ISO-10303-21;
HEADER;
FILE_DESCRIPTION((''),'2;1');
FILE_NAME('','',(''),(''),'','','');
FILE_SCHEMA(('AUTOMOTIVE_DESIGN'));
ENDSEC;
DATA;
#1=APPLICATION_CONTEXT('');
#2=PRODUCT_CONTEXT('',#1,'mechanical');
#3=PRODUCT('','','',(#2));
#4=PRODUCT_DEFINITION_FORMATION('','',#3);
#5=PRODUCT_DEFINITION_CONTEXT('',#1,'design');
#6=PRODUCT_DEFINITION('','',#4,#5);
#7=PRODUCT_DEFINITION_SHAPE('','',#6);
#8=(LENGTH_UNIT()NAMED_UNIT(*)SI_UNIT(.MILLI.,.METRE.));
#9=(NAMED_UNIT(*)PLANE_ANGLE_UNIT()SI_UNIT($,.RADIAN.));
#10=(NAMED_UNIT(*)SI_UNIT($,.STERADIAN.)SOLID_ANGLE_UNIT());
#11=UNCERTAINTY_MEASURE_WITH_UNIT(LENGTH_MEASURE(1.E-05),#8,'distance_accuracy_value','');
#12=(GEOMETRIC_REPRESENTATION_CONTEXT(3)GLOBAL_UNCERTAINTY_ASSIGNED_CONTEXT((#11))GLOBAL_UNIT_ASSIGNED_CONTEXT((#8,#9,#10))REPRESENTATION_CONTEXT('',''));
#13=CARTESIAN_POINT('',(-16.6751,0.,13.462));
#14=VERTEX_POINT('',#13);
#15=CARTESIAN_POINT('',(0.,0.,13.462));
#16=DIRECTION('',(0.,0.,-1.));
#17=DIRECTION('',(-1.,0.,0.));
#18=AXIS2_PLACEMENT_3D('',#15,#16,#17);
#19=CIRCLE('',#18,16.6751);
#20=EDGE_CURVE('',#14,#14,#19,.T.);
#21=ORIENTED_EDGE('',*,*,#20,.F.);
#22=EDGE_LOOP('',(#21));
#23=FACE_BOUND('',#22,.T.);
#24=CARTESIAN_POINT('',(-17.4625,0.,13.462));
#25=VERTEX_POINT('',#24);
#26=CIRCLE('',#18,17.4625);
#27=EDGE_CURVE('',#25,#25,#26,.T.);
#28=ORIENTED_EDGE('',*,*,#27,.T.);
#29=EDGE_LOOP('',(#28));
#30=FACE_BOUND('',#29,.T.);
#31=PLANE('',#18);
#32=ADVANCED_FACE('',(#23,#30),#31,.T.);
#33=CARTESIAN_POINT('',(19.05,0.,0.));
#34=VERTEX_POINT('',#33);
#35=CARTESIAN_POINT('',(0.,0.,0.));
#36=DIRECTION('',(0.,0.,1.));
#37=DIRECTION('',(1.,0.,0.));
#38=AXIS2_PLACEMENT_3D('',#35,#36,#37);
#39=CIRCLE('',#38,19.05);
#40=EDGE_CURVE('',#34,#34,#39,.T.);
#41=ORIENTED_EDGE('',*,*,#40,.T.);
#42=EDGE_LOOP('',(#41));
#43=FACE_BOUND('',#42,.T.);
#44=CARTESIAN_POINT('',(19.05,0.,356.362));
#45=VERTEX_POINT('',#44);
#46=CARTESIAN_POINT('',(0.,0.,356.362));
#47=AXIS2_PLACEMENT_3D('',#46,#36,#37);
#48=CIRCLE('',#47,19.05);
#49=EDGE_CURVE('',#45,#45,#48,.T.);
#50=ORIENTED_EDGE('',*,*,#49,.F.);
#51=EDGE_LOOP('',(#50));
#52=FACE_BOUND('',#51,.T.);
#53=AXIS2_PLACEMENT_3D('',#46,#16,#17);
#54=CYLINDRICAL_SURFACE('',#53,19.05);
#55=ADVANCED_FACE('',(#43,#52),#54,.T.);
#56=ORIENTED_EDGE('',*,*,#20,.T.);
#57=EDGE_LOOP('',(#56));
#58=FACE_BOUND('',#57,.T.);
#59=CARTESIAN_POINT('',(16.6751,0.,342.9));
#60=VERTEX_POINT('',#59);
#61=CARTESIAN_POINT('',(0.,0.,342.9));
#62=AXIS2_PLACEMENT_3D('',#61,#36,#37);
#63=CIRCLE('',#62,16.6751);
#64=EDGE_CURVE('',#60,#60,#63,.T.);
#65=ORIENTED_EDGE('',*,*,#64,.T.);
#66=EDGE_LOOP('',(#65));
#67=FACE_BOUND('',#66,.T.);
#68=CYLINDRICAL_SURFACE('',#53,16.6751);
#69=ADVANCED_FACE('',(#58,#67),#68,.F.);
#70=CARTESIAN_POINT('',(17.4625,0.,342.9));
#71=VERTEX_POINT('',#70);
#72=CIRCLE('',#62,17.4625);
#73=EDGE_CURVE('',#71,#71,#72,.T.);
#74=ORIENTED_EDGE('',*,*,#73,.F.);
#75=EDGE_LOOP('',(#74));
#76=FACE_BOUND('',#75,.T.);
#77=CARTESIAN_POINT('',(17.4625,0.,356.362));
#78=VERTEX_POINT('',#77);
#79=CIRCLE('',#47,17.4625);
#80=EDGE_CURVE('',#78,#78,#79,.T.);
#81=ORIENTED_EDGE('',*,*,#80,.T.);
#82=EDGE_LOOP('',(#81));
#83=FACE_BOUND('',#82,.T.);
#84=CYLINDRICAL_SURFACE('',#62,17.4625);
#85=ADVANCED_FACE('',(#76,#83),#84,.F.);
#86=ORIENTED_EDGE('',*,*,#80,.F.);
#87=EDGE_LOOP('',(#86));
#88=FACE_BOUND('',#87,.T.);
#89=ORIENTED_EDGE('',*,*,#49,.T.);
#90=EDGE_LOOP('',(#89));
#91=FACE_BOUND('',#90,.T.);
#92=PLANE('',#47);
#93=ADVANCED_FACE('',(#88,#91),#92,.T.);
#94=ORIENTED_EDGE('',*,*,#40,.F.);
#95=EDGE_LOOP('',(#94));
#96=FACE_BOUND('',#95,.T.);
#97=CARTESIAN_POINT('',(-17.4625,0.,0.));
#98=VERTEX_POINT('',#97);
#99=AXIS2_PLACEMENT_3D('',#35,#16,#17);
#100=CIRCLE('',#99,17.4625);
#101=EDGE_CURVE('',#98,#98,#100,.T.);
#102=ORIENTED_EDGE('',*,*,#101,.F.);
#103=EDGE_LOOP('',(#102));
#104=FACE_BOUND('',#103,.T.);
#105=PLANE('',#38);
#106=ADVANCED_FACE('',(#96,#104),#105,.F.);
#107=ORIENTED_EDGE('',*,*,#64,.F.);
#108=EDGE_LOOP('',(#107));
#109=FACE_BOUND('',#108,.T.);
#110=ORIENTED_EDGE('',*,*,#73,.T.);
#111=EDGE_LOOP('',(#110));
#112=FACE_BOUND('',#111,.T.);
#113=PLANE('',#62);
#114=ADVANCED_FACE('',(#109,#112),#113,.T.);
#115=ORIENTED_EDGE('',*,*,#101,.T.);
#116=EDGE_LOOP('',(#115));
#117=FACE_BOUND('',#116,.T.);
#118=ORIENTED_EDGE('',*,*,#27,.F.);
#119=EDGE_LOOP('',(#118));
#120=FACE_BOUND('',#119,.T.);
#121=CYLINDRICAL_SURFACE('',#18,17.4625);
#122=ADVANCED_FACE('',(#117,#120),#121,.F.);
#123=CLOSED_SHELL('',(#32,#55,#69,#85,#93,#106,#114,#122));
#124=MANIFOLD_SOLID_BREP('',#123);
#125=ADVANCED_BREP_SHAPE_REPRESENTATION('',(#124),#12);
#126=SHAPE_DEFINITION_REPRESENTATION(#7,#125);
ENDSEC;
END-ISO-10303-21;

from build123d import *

# Parameters (mm, degrees)
SKETCH1_R           = 19.05
SKETCH1_R_2         = 16.6751
BOSS_EXTRUDE1_DEPTH = 356.362
SKETCH2_R           = 17.4625
CUT_EXTRUDE1_DEPTH  = 13.462
CUT_EXTRUDE2_START  = -13.462
SKETCH3_R           = 17.4625
CUT_EXTRUDE2_DEPTH  = 13.462


with BuildPart() as part:
    # Sketch1 → Boss-Extrude1 (new body)
    with BuildSketch(Plane.XY):
        Circle(SKETCH1_R)
        Circle(SKETCH1_R_2, mode=Mode.SUBTRACT)
    extrude(amount=BOSS_EXTRUDE1_DEPTH)

    # Sketch2 → Cut-Extrude1 (cut)
    with BuildSketch(Plane.XY.offset(356.362)):
        Circle(SKETCH2_R)
    extrude(amount=-CUT_EXTRUDE1_DEPTH, mode=Mode.SUBTRACT)

    # Sketch3 → Cut-Extrude2 (cut)
    with BuildSketch(Plane(origin=(0, 0, 0), x_dir=(-1, 0, 0), z_dir=(0, 0, -1)).offset(CUT_EXTRUDE2_START)):
        with Locations(Location((0, 0, 0), (0, 0, 180))):
            Circle(SKETCH3_R)
    extrude(amount=CUT_EXTRUDE2_DEPTH, mode=Mode.SUBTRACT)


solid = part.part
